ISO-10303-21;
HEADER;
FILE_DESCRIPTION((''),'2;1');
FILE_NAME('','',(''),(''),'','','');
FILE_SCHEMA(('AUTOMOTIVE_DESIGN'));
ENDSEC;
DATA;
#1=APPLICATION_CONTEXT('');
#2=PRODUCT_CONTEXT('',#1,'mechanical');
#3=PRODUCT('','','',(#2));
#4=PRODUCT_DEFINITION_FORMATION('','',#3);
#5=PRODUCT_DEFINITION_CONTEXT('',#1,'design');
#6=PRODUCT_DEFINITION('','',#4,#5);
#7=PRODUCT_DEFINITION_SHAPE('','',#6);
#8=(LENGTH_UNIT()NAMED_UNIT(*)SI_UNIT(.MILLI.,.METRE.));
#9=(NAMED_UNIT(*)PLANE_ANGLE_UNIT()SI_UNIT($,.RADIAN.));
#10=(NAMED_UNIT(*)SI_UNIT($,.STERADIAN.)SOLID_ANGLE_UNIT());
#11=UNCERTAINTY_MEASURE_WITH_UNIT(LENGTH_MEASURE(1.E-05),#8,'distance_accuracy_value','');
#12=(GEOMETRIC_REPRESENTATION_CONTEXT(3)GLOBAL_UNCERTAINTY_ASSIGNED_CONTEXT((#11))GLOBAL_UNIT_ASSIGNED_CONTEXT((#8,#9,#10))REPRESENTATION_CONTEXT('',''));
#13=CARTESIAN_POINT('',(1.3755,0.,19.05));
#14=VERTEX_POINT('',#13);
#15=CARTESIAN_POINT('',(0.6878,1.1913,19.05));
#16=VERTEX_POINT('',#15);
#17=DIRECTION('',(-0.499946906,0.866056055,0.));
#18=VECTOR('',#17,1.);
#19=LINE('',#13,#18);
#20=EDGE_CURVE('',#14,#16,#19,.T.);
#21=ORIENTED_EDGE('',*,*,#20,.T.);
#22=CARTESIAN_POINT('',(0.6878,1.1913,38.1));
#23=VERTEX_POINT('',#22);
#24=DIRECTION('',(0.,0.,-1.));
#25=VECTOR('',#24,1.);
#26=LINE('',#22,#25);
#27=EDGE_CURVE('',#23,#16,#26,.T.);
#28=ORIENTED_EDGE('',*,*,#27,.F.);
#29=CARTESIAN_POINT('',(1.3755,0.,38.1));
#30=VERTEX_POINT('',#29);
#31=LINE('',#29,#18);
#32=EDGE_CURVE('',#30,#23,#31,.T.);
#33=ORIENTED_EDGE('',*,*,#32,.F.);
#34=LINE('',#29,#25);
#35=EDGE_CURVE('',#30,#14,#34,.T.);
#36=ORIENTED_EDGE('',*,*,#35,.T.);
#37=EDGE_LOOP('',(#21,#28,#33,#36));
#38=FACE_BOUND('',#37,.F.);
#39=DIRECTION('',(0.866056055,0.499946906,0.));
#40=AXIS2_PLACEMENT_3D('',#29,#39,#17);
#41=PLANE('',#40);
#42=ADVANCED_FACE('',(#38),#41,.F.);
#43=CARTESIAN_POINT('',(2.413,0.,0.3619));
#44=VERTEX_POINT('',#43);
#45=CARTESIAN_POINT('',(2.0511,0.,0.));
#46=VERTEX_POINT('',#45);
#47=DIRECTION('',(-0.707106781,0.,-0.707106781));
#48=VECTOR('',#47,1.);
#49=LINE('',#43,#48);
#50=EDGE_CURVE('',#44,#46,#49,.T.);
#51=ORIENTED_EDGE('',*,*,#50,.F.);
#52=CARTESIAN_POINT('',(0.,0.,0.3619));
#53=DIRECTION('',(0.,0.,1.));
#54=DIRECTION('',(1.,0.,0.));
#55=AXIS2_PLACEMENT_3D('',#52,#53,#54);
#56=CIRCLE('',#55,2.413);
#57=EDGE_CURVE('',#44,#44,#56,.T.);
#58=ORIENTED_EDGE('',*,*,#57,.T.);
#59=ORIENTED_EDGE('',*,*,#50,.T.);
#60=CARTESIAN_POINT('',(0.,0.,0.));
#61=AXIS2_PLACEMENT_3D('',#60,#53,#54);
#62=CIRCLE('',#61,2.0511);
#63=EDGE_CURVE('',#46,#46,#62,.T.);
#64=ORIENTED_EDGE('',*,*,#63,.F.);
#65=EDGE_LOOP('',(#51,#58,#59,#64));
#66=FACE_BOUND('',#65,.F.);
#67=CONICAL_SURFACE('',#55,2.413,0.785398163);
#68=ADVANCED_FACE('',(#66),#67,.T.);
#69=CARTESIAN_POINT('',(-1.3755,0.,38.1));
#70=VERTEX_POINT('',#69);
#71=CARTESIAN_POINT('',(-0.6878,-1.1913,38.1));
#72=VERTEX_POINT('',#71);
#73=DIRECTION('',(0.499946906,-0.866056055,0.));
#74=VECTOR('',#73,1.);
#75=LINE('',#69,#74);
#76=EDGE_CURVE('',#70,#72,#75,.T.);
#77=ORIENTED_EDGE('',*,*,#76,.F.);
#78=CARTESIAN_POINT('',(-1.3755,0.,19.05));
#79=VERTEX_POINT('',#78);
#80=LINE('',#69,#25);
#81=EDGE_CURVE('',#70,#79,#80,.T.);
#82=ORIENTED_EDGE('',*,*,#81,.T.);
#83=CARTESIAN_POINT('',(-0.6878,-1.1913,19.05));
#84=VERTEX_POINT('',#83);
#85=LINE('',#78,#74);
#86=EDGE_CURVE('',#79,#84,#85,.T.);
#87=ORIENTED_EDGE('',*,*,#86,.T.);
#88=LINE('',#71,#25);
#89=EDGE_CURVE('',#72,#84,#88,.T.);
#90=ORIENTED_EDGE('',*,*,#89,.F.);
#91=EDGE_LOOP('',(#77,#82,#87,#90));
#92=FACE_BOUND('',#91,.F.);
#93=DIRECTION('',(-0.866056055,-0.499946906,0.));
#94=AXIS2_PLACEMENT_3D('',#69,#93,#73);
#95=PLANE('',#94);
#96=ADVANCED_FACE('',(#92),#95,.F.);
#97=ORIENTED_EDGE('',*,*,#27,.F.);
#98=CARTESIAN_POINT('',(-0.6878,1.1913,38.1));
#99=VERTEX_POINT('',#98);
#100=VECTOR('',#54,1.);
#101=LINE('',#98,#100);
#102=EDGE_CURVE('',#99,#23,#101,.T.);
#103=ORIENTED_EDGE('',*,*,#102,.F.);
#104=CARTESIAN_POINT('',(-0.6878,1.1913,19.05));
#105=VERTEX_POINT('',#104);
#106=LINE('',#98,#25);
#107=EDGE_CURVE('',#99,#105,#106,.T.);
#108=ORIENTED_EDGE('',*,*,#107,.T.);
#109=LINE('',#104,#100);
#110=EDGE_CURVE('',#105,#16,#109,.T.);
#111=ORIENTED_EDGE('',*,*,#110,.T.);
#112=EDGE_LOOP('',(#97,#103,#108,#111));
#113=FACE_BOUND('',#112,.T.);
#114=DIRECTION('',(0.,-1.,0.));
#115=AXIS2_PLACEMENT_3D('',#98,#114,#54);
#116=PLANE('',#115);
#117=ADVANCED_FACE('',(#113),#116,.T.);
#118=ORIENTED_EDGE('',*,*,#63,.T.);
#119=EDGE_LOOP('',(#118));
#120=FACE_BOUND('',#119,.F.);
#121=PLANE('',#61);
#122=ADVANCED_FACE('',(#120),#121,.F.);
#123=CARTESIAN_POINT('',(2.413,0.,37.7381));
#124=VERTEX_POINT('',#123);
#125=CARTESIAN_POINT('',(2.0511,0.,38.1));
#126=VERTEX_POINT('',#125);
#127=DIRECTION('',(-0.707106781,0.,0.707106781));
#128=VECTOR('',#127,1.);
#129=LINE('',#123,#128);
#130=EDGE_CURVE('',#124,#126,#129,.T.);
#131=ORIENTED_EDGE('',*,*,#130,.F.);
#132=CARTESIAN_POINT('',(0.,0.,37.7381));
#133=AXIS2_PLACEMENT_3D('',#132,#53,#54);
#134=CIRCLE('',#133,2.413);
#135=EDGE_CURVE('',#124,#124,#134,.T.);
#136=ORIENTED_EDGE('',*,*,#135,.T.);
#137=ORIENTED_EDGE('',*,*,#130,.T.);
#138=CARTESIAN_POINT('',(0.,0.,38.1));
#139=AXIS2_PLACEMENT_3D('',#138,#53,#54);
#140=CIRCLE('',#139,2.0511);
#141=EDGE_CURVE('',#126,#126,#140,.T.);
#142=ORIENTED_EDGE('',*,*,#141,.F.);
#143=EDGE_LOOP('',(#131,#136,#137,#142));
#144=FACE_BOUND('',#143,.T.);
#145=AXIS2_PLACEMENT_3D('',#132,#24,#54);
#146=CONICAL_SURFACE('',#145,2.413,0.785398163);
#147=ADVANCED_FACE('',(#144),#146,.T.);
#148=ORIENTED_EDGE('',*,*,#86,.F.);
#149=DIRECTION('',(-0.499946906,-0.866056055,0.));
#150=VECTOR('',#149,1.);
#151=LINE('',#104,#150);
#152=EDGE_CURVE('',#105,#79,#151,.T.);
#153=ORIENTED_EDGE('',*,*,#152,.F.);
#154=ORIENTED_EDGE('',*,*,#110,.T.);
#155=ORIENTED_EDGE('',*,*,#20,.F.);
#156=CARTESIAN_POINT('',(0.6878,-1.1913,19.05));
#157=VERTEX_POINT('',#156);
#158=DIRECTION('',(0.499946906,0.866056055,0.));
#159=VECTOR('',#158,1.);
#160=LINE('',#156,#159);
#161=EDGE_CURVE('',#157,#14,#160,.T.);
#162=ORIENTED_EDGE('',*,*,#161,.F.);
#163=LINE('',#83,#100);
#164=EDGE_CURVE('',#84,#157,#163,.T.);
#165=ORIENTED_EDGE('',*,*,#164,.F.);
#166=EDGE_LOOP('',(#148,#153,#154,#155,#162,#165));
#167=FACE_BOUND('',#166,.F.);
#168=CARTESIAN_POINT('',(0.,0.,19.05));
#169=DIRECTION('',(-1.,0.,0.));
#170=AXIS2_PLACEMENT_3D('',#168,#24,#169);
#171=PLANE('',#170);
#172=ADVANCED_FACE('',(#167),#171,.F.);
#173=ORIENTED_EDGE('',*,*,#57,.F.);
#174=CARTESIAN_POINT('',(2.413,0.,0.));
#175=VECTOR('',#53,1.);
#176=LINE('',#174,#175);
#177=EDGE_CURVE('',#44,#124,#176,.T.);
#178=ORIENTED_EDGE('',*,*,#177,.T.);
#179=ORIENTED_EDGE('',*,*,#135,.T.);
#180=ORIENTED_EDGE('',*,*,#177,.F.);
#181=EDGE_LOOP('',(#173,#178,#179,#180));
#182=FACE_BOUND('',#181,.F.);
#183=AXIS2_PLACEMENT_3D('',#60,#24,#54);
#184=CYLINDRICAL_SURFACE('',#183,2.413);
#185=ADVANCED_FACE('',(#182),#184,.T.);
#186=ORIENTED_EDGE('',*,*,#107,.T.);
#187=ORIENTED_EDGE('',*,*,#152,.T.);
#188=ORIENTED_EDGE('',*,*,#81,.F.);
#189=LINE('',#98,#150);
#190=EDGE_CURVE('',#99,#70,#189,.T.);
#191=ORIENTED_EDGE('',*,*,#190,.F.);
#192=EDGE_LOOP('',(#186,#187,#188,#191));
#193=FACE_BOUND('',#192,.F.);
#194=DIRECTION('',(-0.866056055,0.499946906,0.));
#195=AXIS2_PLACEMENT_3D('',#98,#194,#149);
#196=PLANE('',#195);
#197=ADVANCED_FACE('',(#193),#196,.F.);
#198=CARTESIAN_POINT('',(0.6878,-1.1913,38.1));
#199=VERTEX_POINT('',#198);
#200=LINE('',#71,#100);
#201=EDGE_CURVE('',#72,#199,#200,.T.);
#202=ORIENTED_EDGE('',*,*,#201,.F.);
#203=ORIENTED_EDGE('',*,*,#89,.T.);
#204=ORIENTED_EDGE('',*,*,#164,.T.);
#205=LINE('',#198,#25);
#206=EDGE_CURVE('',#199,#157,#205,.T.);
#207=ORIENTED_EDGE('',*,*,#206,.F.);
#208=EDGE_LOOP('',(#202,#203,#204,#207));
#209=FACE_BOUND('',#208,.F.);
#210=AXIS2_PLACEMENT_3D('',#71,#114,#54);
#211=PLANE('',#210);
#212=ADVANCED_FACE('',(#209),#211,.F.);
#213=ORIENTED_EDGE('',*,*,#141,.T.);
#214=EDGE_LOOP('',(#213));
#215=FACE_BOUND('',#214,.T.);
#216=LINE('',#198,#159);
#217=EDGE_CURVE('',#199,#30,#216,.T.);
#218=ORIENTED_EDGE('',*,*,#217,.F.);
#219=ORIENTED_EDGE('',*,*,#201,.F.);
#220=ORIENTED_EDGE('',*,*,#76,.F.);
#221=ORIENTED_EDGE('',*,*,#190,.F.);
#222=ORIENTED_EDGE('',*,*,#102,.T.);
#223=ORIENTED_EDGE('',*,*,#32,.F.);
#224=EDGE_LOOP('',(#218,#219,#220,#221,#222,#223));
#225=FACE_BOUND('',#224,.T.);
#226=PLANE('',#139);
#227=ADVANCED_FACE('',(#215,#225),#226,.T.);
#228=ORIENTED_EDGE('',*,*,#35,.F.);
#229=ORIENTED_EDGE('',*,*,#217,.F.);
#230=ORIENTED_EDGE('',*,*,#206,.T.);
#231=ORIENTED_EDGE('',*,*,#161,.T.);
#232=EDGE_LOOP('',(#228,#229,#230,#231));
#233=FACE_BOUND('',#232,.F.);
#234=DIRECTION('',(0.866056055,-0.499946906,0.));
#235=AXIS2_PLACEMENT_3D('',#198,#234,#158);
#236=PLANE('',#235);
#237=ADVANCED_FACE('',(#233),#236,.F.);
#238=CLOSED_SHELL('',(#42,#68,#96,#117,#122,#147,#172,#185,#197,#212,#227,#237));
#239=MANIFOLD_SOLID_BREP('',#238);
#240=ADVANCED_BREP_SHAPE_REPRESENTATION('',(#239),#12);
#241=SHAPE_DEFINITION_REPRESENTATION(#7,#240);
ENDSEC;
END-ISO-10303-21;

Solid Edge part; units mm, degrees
sketch "Sketch1" plane through (0, 0, 0) normal (0, 0, 1) x (1, 0, 0)
  circle A0 centre (0, 0) radius 2.413
  dimension "D1" = 4.826
extrude "Protrusion1" add sketch "Sketch1" along normal blind 38.1
chamfer "Chamfer1" distance 0.3619 angle 45 2 edges at (-2.413, 0, 0) (-2.413, 0, 38.1)
sketch "Sketch2" plane through (0, 0, 38.1) normal (0, 0, 1) x (1, 0, 0)
  line L0 (-0.6878, 1.1913) -> (0.6878, 1.1913)
  line L1 (1.3755, 0) -> (0.6878, 1.1913)
  line L2 (0.6878, -1.1913) -> (1.3755, 0)
  line L3 (-0.6878, -1.1913) -> (0.6878, -1.1913)
  line L4 (-1.3755, 0) -> (-0.6878, -1.1913)
  line L5 (-0.6878, 1.1913) -> (-1.3755, 0)
  dimension "D1" = 2.3825
extrude "Cutout1" cut sketch "Sketch2" against normal blind 19.05
properties part number "24101312"
